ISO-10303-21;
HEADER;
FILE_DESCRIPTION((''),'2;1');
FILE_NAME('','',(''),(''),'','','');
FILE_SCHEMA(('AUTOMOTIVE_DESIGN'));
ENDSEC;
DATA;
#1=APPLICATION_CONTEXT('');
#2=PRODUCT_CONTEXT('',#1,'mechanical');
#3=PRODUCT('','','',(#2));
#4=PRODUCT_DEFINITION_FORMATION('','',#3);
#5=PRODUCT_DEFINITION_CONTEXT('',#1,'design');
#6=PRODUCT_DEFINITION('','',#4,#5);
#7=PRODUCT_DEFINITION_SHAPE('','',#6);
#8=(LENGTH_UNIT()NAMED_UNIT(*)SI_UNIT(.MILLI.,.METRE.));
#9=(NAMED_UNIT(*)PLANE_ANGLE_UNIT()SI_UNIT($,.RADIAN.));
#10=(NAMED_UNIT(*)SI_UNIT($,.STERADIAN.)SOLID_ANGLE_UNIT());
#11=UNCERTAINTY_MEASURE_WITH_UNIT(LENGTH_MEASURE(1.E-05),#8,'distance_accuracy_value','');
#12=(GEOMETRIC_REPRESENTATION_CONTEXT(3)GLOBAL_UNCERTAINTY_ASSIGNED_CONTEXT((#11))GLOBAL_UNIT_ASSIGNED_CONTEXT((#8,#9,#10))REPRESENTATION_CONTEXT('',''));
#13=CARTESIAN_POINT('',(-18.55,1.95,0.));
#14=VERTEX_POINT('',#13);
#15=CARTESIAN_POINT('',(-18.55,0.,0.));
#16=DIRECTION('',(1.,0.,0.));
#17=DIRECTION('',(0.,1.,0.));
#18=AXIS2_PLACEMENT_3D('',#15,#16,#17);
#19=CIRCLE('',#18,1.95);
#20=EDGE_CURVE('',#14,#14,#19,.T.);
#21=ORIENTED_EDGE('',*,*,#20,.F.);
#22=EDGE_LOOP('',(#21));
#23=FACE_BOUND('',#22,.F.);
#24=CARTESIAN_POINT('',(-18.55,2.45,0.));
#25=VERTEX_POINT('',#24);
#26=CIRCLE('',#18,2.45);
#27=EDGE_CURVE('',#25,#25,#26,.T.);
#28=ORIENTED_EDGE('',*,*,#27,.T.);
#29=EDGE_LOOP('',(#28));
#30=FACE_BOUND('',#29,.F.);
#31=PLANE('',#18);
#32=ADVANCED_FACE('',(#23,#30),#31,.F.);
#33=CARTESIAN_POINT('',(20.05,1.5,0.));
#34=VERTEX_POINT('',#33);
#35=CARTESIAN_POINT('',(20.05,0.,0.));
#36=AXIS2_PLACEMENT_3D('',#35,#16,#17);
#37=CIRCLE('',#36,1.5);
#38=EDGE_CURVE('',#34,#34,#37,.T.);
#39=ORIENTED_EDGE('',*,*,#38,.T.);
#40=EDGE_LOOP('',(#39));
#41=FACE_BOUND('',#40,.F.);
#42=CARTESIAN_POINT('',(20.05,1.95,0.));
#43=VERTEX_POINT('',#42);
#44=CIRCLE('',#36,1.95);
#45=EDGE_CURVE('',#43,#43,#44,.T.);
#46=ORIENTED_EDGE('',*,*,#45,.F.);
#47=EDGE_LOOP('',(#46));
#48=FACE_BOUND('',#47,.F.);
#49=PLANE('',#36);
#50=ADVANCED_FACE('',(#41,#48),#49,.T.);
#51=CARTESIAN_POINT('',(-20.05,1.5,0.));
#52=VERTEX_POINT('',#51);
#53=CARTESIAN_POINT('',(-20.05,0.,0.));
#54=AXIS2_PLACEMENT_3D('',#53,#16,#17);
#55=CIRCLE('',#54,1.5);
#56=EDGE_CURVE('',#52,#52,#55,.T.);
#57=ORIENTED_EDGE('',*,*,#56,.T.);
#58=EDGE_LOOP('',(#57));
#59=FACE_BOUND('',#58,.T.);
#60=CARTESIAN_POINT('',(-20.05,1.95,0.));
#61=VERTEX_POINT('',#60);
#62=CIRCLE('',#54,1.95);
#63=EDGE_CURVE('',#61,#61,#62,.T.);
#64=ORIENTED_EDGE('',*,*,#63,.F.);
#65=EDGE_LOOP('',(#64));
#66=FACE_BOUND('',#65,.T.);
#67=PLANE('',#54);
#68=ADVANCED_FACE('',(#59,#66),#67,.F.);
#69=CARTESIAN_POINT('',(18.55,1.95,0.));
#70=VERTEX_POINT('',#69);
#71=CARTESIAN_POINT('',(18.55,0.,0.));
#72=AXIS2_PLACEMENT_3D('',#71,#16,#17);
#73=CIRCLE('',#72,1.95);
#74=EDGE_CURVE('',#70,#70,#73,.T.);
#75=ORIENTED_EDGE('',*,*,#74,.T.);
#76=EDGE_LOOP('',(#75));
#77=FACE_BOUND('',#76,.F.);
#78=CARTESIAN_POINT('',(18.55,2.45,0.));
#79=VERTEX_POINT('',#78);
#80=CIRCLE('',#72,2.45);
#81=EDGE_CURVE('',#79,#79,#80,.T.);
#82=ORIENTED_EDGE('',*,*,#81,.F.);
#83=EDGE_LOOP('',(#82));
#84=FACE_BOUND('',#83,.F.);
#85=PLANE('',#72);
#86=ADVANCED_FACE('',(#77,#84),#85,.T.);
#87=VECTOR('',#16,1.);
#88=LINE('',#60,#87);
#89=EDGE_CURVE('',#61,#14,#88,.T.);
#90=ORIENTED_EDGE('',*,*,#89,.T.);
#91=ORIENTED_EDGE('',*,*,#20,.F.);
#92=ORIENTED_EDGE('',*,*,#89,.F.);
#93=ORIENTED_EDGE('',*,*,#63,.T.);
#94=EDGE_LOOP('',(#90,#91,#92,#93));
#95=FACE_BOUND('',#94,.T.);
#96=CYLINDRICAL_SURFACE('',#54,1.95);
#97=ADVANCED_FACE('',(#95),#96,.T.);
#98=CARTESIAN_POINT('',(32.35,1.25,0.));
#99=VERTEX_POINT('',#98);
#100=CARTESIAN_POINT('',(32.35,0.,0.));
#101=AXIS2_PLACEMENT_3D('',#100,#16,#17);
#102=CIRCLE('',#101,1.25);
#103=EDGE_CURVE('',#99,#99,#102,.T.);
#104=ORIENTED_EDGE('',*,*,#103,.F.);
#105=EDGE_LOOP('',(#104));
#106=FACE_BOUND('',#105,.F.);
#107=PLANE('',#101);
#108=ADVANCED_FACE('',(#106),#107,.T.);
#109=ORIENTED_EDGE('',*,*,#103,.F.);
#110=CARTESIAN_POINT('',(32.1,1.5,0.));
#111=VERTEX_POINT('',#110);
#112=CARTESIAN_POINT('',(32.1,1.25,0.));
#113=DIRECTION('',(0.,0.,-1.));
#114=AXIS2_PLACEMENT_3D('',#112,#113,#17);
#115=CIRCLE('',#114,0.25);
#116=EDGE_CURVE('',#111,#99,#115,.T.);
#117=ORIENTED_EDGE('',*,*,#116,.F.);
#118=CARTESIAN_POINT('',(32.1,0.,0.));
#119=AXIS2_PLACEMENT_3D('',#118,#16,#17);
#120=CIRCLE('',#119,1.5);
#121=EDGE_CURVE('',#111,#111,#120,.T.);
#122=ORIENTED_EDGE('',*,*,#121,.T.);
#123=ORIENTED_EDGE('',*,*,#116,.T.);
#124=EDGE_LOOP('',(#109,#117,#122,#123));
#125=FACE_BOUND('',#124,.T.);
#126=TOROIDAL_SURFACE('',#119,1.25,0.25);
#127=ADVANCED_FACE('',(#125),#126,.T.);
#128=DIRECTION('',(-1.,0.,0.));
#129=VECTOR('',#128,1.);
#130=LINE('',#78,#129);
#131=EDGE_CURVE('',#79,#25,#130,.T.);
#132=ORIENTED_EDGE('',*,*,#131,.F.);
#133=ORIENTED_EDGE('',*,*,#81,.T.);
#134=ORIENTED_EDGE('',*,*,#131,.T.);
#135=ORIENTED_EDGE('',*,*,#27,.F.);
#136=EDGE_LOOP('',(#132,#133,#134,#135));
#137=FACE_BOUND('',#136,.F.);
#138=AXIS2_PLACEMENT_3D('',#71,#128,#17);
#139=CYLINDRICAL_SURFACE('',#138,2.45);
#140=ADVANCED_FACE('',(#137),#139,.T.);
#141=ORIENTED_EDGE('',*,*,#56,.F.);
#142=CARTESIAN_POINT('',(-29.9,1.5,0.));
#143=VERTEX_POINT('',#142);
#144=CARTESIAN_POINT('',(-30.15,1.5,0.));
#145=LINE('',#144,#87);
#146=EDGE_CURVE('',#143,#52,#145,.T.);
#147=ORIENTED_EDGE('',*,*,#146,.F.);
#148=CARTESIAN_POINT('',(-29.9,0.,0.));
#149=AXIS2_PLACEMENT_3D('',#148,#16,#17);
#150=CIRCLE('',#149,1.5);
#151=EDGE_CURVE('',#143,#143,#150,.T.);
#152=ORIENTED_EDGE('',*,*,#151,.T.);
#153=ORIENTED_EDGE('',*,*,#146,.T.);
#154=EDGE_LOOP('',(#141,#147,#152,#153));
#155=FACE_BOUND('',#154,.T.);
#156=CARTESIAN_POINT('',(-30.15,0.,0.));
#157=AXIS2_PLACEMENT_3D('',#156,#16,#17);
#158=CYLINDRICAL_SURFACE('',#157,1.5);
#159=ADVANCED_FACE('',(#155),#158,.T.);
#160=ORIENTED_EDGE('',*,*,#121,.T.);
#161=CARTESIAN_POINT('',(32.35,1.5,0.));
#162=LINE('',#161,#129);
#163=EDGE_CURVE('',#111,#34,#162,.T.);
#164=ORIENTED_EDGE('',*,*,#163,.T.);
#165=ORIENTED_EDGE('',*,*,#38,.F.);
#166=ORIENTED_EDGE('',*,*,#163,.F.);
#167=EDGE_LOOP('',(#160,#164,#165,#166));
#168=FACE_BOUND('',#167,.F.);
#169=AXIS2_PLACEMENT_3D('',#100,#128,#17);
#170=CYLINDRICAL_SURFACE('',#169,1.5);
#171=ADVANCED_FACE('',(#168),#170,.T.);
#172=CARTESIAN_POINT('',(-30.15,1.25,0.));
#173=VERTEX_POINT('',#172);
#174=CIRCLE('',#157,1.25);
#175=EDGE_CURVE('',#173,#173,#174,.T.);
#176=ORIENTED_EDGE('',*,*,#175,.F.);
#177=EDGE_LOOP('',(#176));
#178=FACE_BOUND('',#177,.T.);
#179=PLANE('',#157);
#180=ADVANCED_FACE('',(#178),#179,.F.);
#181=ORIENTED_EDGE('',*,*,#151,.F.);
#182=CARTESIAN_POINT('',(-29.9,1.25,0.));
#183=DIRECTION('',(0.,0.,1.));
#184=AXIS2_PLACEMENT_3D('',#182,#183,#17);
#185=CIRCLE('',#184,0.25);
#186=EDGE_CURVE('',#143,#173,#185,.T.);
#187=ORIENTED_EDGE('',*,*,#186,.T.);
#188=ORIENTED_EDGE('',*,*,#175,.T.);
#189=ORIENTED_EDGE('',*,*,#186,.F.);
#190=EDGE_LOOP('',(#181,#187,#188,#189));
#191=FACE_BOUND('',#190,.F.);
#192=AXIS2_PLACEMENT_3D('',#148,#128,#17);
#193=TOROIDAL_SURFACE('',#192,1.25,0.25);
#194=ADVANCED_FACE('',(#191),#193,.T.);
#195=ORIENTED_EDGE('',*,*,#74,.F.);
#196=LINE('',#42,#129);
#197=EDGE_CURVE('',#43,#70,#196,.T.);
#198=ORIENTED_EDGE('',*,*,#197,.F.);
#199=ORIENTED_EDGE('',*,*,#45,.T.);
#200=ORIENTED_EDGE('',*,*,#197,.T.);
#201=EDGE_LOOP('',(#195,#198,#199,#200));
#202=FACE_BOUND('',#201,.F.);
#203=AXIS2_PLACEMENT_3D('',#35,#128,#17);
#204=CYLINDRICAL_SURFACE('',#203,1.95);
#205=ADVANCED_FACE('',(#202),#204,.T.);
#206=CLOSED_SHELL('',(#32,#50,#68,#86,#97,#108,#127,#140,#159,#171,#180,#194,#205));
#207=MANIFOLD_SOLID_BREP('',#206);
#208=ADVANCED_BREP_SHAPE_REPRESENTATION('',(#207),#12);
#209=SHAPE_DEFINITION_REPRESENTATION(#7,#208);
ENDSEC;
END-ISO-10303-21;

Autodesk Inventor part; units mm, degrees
ref_plane "YZ Plane" through (0, 0, 0) normal (1, 0, 0) x (0, 1, 0)
ref_plane "XZ Plane" through (0, 0, 0) normal (0, 1, 0) x (-1, 0, 0)
ref_plane "XY Plane" through (0, 0, 0) normal (0, 0, 1) x (1, 0, 0)
sketch "Sketch1" plane through (0, 0, 0) normal (0, 0, 1) x (1, 0, 0)
  line L0 (-18.55, 0) -> (18.55, 0)
  line L1 (18.55, 0) -> (18.55, 2.45)
  line L2 (18.55, 2.45) -> (-18.55, 2.45)
  line L3 (-18.55, 2.45) -> (-18.55, 0)
  line L4 (-18.55, 0) -> (-20.05, 0)
  line L5 (-20.05, 0) -> (-20.05, 1.95)
  line L6 (-20.05, 1.95) -> (-18.55, 1.95)
  line L7 (-18.55, 1.95) -> (-18.55, 0)
  line L8 (-20.05, 0) -> (-30.15, 0)
  line L9 (-30.15, 0) -> (-30.15, 1.5)
  line L10 (-30.15, 1.5) -> (-20.05, 1.5)
  line L11 (-20.05, 1.5) -> (-20.05, 0)
  line L12 (18.55, 0) -> (20.05, 0)
  line L13 (20.05, 0) -> (20.05, 1.95)
  line L14 (20.05, 1.95) -> (18.55, 1.95)
  line L15 (18.55, 1.95) -> (18.55, 0)
  line L16 (20.05, 0) -> (32.35, 0)
  line L17 (32.35, 0) -> (32.35, 1.5)
  line L18 (32.35, 1.5) -> (20.05, 1.5)
  line L19 (20.05, 1.5) -> (20.05, 0)
  point P0 (0, 0)
  point P1 (0, 0)
  dimension "d0" = 10.1
  dimension "d1" = 11.6
  dimension "d2" = 48.7
  dimension "d3" = 3
  dimension "d4" = 3.9
  dimension "d5" = 4.9
  dimension "d6" = 3
  dimension "d7" = 50.2
  dimension "d8" = 62.5
revolve "Revolution1" add sketch "Sketch1" angle 360 about axis through (-18.55, 0, 0) along (1, 0, 0)
fillet "Fillet1" radius 0.25 2 edges at (-30.15, -1.5, 0) (32.35, -1.5, 0)
properties part number "401-04" material "Aluminum-6061"
